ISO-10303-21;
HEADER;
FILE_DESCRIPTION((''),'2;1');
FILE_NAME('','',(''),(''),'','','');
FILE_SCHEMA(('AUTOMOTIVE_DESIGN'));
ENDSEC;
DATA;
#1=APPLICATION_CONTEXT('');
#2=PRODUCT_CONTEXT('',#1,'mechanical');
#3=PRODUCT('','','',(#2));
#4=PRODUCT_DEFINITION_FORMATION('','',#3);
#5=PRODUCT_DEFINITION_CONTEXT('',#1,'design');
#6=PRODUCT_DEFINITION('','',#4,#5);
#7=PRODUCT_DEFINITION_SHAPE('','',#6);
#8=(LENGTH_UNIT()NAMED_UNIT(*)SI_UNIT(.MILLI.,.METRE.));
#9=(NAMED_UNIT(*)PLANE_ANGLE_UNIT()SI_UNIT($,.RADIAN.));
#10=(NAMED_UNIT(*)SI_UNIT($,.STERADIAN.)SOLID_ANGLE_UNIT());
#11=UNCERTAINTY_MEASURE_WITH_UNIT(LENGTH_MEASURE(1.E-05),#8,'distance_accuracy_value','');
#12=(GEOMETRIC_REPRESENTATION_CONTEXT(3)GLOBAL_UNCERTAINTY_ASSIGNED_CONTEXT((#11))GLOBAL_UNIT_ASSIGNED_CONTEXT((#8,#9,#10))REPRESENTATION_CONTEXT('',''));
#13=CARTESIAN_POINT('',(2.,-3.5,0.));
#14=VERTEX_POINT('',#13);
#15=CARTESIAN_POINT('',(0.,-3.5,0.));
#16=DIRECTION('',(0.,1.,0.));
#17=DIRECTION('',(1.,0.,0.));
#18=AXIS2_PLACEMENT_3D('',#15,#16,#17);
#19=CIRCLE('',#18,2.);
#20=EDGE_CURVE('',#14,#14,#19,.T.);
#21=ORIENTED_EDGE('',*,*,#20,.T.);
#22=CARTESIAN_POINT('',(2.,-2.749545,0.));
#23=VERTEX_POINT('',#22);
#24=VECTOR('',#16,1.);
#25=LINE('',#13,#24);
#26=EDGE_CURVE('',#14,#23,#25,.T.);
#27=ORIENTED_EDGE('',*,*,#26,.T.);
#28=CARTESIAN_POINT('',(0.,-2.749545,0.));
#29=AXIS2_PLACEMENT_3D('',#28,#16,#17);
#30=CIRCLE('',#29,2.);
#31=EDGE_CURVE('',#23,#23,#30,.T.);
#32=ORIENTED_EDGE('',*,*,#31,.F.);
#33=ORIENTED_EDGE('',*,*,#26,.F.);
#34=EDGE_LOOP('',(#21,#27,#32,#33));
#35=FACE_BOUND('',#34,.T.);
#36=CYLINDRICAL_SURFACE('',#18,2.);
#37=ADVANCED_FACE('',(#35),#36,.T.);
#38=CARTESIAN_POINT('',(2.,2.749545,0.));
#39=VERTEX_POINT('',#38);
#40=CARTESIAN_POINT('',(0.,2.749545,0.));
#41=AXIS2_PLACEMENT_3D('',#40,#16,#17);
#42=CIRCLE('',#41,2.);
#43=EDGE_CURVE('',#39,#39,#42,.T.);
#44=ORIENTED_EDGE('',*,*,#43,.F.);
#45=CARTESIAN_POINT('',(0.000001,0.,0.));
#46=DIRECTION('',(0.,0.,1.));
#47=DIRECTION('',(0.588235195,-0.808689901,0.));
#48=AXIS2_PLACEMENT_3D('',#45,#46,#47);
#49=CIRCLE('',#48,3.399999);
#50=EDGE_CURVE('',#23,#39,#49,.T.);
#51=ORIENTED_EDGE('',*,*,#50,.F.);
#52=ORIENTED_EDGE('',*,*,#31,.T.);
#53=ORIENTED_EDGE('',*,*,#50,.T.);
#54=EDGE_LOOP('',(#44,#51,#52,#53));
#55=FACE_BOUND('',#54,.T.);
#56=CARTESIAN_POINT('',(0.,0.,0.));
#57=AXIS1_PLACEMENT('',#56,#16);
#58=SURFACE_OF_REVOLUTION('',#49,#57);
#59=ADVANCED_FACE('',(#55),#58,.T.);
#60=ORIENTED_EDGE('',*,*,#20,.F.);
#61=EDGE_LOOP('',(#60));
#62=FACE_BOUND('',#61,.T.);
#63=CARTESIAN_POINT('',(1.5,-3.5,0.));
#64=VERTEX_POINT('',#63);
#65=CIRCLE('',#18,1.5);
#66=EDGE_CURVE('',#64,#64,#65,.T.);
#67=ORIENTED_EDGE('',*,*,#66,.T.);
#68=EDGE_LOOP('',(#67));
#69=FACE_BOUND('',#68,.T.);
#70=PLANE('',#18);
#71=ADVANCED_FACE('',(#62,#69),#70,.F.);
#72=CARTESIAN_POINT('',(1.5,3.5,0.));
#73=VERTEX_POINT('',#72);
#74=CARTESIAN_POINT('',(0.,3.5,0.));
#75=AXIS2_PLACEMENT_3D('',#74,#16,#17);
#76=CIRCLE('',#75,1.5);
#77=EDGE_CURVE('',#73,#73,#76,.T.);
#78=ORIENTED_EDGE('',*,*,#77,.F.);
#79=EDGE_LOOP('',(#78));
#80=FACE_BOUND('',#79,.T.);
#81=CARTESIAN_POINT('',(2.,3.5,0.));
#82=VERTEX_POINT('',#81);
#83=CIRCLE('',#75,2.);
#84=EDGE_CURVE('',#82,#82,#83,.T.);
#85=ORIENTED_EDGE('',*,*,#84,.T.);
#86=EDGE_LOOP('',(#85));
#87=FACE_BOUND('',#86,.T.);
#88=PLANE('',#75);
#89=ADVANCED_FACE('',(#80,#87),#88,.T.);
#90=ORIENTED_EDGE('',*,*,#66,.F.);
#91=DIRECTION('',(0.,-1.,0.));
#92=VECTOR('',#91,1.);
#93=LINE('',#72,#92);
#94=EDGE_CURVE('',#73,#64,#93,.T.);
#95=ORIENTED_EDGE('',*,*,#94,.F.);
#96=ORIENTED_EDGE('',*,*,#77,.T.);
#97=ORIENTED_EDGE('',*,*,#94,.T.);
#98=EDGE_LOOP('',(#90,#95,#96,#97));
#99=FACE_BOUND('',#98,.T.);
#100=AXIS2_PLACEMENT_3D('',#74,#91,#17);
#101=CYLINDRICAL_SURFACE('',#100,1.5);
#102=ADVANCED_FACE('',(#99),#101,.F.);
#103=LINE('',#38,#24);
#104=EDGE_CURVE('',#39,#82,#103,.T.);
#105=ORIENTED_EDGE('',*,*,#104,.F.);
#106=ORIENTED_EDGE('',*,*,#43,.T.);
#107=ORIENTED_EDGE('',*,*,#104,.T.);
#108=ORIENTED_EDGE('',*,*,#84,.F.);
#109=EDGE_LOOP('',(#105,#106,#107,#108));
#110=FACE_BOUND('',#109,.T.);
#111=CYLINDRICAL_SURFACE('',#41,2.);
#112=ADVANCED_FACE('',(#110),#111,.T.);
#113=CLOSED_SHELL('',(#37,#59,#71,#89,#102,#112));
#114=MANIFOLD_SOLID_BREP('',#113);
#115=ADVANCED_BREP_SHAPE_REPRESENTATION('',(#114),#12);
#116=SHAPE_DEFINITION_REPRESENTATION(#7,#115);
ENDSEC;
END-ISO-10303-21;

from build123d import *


with BuildPart() as part:
    # Sketch → Revolution (revolve)
    with BuildSketch(Plane.XY):
        with BuildLine():
            Line((2, -3.5), (2, -2.749545))
            ThreePointArc((2, -2.749545), (3.4, 0), (2, 2.749545))
            Line((2, 2.749545), (2, 3.5))
            Line((2, 3.5), (1.5, 3.5))
            Line((1.5, 3.5), (1.5, -3.5))
            Line((1.5, -3.5), (2, -3.5))
        make_face()
    revolve(axis=Axis((0, 0, 0), (0, 1, 0)))


solid = part.part
